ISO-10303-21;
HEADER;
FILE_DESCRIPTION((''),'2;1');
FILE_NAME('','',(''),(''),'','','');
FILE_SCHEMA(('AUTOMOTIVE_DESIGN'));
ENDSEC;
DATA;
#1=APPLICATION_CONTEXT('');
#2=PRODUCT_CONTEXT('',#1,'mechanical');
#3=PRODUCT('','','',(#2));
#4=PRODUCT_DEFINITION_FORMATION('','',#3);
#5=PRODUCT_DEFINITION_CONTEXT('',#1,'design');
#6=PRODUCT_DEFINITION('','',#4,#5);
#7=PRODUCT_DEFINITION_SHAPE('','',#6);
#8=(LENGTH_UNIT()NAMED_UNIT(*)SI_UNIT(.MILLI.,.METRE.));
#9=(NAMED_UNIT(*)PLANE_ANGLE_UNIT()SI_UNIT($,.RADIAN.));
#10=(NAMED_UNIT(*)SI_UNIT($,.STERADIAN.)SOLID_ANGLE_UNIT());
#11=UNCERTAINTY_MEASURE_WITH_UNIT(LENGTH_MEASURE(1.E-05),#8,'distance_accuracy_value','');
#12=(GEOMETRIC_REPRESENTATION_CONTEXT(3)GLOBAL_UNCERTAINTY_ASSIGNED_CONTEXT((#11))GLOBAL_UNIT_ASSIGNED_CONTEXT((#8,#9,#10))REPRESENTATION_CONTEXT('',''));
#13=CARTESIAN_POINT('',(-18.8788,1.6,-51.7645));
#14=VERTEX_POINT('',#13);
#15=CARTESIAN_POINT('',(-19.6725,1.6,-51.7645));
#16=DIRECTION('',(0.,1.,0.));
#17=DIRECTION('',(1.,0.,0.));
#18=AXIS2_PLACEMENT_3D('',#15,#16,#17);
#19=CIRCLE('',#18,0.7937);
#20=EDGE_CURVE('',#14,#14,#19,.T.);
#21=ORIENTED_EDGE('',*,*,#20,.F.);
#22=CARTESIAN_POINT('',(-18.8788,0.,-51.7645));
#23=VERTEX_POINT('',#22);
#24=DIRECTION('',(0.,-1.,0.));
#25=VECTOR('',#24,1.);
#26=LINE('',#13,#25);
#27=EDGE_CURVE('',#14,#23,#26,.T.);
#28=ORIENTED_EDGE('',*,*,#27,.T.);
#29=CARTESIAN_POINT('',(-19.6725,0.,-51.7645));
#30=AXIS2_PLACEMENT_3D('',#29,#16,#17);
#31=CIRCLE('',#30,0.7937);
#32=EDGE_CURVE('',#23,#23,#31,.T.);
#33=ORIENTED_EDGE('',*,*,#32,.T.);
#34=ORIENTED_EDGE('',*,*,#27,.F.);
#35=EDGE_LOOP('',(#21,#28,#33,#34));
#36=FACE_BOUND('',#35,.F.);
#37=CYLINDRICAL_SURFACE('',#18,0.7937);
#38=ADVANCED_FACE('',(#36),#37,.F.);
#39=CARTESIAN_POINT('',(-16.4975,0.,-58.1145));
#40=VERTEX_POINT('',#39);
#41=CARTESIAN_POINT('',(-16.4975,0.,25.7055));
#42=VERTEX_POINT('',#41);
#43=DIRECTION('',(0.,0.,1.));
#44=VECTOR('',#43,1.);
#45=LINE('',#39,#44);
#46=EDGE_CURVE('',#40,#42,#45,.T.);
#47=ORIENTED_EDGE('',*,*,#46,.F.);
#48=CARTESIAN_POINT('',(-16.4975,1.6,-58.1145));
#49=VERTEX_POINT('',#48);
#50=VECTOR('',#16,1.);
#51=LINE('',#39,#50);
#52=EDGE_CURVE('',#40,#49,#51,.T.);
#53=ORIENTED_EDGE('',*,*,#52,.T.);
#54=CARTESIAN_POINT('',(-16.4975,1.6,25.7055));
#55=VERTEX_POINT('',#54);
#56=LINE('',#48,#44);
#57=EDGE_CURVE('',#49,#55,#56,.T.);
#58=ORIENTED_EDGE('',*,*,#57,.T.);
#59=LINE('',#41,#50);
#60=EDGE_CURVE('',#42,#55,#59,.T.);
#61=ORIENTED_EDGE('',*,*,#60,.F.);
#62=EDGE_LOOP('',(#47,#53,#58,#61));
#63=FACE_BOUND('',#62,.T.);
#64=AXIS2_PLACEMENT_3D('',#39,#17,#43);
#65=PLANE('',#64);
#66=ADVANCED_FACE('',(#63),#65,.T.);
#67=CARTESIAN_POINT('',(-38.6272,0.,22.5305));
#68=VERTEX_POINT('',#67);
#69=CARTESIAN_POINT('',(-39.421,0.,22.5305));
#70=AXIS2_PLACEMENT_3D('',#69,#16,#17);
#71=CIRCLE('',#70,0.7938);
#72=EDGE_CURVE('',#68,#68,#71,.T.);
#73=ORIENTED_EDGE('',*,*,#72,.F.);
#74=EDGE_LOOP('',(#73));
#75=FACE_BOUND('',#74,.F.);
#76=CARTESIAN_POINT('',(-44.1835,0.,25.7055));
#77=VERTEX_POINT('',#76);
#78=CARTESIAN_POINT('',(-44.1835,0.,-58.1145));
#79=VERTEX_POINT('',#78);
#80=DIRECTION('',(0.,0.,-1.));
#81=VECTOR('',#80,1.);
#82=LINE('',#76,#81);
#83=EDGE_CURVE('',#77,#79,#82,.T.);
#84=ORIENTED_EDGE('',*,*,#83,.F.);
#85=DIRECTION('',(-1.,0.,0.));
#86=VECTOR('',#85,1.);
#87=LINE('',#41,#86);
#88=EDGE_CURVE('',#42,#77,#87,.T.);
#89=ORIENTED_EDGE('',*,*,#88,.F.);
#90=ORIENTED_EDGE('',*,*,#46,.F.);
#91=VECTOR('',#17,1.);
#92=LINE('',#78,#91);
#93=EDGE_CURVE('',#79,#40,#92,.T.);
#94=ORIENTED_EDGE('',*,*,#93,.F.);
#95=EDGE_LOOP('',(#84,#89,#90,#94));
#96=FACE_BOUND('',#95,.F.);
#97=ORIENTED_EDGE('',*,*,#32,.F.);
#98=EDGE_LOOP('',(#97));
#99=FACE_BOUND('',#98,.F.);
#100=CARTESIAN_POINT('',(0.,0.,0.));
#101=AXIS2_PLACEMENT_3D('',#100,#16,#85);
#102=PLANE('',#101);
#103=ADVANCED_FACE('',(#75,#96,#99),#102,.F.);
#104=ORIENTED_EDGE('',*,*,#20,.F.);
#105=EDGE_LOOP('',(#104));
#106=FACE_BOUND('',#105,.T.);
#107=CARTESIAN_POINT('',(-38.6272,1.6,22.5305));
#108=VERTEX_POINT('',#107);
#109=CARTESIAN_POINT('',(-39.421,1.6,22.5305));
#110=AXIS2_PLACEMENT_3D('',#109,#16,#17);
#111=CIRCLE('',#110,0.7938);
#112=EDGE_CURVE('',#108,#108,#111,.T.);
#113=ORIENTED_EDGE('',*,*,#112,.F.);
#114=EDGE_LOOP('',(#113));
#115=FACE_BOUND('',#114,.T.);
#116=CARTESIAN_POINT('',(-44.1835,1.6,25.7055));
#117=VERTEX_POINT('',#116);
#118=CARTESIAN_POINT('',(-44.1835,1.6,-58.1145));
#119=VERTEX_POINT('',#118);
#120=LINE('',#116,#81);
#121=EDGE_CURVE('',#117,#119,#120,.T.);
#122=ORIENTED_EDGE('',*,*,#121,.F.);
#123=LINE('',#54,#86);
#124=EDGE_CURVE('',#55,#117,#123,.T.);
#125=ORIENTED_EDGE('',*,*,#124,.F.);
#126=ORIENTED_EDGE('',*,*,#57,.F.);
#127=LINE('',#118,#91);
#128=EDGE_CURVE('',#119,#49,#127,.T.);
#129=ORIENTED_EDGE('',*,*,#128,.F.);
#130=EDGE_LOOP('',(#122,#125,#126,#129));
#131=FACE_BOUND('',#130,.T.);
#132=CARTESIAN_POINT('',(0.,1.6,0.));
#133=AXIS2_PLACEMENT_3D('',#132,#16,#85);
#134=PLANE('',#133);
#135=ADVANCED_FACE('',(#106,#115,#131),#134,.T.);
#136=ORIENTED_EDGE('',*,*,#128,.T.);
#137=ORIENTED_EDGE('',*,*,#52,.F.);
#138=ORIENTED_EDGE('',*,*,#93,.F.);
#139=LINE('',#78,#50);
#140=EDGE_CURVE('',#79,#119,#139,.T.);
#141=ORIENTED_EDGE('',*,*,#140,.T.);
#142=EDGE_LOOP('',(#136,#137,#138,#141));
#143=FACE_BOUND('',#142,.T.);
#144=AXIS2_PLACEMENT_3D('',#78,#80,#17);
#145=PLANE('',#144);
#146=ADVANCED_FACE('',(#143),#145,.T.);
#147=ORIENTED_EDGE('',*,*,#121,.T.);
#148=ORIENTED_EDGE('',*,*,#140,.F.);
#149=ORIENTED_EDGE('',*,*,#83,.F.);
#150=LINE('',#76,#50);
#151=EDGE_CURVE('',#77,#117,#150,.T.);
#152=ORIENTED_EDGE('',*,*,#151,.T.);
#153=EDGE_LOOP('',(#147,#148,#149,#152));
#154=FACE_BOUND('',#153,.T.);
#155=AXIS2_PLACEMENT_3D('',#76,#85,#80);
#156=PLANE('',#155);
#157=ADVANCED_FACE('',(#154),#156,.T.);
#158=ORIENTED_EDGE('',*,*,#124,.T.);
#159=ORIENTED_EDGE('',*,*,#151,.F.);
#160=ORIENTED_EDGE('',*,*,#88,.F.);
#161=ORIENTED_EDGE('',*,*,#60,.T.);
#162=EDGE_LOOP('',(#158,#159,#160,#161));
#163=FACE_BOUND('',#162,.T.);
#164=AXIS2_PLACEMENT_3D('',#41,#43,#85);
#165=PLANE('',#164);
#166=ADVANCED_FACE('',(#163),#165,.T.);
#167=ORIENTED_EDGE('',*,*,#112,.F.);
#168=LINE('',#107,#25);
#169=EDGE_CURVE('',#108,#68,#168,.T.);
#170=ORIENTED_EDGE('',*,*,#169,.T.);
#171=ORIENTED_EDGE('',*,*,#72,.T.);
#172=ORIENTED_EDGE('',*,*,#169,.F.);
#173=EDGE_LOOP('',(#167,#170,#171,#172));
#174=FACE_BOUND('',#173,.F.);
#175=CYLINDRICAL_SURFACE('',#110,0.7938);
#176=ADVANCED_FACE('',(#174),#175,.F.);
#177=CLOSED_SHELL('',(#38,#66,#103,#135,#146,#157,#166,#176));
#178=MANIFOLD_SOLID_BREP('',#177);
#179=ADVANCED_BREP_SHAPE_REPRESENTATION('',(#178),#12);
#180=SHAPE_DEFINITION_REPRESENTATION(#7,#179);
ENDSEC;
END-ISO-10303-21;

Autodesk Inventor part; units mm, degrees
ref_plane "YZ Plane" through (0, 0, 0) normal (1, 0, 0) x (0, 1, 0)
ref_plane "XZ Plane" through (0, 0, 0) normal (0, 1, 0) x (-1, 0, 0)
ref_plane "XY Plane" through (0, 0, 0) normal (0, 0, 1) x (1, 0, 0)
sketch "Sketch1" plane through (0, 0, 0) normal (0, 1, 0) x (-1, 0, 0)
  line L0 (16.4975, 25.7055) -> (44.1835, 25.7055)
  line L1 (44.1835, 25.7055) -> (44.1835, -58.1145)
  line L2 (44.1835, -58.1145) -> (16.4975, -58.1145)
  line L3 (16.4975, -58.1145) -> (16.4975, 25.7055)
  point P0 (0, 0)
  dimension "d0" = 27.686
  dimension "d1" = 83.82
extrude "Extrusion1" add sketch "Sketch1" along normal blind 1.6
sketch "Sketch2" plane through (0, 1.6, 0) normal (0, 1, 0) x (1, 0, 0)
  line L0 (-44.1835, -25.7055) -> (-16.4975, -25.7055) projected
  line L1 (-16.4975, -25.7055) -> (-16.4975, 58.1145) projected
  line L2 (-16.4975, 58.1145) -> (-44.1835, 58.1145) projected
  line L3 (-44.1835, 58.1145) -> (-44.1835, -25.7055) projected
  circle A0 centre (-19.6725, 51.7645) radius 0.7937
  circle A1 centre (-39.421, -22.5305) radius 0.7938
  point P0 (0, 0)
  dimension "d4" = 1.5875
  dimension "d5" = 1.5875
  dimension "d6" = 3.175
  dimension "d7" = 4.7625
  dimension "d8" = 6.35
  dimension "d9" = 3.175
extrude "Extrusion2" cut sketch "Sketch2" against normal up to next contours A0 | A1
properties part number "Yagi_Board"
